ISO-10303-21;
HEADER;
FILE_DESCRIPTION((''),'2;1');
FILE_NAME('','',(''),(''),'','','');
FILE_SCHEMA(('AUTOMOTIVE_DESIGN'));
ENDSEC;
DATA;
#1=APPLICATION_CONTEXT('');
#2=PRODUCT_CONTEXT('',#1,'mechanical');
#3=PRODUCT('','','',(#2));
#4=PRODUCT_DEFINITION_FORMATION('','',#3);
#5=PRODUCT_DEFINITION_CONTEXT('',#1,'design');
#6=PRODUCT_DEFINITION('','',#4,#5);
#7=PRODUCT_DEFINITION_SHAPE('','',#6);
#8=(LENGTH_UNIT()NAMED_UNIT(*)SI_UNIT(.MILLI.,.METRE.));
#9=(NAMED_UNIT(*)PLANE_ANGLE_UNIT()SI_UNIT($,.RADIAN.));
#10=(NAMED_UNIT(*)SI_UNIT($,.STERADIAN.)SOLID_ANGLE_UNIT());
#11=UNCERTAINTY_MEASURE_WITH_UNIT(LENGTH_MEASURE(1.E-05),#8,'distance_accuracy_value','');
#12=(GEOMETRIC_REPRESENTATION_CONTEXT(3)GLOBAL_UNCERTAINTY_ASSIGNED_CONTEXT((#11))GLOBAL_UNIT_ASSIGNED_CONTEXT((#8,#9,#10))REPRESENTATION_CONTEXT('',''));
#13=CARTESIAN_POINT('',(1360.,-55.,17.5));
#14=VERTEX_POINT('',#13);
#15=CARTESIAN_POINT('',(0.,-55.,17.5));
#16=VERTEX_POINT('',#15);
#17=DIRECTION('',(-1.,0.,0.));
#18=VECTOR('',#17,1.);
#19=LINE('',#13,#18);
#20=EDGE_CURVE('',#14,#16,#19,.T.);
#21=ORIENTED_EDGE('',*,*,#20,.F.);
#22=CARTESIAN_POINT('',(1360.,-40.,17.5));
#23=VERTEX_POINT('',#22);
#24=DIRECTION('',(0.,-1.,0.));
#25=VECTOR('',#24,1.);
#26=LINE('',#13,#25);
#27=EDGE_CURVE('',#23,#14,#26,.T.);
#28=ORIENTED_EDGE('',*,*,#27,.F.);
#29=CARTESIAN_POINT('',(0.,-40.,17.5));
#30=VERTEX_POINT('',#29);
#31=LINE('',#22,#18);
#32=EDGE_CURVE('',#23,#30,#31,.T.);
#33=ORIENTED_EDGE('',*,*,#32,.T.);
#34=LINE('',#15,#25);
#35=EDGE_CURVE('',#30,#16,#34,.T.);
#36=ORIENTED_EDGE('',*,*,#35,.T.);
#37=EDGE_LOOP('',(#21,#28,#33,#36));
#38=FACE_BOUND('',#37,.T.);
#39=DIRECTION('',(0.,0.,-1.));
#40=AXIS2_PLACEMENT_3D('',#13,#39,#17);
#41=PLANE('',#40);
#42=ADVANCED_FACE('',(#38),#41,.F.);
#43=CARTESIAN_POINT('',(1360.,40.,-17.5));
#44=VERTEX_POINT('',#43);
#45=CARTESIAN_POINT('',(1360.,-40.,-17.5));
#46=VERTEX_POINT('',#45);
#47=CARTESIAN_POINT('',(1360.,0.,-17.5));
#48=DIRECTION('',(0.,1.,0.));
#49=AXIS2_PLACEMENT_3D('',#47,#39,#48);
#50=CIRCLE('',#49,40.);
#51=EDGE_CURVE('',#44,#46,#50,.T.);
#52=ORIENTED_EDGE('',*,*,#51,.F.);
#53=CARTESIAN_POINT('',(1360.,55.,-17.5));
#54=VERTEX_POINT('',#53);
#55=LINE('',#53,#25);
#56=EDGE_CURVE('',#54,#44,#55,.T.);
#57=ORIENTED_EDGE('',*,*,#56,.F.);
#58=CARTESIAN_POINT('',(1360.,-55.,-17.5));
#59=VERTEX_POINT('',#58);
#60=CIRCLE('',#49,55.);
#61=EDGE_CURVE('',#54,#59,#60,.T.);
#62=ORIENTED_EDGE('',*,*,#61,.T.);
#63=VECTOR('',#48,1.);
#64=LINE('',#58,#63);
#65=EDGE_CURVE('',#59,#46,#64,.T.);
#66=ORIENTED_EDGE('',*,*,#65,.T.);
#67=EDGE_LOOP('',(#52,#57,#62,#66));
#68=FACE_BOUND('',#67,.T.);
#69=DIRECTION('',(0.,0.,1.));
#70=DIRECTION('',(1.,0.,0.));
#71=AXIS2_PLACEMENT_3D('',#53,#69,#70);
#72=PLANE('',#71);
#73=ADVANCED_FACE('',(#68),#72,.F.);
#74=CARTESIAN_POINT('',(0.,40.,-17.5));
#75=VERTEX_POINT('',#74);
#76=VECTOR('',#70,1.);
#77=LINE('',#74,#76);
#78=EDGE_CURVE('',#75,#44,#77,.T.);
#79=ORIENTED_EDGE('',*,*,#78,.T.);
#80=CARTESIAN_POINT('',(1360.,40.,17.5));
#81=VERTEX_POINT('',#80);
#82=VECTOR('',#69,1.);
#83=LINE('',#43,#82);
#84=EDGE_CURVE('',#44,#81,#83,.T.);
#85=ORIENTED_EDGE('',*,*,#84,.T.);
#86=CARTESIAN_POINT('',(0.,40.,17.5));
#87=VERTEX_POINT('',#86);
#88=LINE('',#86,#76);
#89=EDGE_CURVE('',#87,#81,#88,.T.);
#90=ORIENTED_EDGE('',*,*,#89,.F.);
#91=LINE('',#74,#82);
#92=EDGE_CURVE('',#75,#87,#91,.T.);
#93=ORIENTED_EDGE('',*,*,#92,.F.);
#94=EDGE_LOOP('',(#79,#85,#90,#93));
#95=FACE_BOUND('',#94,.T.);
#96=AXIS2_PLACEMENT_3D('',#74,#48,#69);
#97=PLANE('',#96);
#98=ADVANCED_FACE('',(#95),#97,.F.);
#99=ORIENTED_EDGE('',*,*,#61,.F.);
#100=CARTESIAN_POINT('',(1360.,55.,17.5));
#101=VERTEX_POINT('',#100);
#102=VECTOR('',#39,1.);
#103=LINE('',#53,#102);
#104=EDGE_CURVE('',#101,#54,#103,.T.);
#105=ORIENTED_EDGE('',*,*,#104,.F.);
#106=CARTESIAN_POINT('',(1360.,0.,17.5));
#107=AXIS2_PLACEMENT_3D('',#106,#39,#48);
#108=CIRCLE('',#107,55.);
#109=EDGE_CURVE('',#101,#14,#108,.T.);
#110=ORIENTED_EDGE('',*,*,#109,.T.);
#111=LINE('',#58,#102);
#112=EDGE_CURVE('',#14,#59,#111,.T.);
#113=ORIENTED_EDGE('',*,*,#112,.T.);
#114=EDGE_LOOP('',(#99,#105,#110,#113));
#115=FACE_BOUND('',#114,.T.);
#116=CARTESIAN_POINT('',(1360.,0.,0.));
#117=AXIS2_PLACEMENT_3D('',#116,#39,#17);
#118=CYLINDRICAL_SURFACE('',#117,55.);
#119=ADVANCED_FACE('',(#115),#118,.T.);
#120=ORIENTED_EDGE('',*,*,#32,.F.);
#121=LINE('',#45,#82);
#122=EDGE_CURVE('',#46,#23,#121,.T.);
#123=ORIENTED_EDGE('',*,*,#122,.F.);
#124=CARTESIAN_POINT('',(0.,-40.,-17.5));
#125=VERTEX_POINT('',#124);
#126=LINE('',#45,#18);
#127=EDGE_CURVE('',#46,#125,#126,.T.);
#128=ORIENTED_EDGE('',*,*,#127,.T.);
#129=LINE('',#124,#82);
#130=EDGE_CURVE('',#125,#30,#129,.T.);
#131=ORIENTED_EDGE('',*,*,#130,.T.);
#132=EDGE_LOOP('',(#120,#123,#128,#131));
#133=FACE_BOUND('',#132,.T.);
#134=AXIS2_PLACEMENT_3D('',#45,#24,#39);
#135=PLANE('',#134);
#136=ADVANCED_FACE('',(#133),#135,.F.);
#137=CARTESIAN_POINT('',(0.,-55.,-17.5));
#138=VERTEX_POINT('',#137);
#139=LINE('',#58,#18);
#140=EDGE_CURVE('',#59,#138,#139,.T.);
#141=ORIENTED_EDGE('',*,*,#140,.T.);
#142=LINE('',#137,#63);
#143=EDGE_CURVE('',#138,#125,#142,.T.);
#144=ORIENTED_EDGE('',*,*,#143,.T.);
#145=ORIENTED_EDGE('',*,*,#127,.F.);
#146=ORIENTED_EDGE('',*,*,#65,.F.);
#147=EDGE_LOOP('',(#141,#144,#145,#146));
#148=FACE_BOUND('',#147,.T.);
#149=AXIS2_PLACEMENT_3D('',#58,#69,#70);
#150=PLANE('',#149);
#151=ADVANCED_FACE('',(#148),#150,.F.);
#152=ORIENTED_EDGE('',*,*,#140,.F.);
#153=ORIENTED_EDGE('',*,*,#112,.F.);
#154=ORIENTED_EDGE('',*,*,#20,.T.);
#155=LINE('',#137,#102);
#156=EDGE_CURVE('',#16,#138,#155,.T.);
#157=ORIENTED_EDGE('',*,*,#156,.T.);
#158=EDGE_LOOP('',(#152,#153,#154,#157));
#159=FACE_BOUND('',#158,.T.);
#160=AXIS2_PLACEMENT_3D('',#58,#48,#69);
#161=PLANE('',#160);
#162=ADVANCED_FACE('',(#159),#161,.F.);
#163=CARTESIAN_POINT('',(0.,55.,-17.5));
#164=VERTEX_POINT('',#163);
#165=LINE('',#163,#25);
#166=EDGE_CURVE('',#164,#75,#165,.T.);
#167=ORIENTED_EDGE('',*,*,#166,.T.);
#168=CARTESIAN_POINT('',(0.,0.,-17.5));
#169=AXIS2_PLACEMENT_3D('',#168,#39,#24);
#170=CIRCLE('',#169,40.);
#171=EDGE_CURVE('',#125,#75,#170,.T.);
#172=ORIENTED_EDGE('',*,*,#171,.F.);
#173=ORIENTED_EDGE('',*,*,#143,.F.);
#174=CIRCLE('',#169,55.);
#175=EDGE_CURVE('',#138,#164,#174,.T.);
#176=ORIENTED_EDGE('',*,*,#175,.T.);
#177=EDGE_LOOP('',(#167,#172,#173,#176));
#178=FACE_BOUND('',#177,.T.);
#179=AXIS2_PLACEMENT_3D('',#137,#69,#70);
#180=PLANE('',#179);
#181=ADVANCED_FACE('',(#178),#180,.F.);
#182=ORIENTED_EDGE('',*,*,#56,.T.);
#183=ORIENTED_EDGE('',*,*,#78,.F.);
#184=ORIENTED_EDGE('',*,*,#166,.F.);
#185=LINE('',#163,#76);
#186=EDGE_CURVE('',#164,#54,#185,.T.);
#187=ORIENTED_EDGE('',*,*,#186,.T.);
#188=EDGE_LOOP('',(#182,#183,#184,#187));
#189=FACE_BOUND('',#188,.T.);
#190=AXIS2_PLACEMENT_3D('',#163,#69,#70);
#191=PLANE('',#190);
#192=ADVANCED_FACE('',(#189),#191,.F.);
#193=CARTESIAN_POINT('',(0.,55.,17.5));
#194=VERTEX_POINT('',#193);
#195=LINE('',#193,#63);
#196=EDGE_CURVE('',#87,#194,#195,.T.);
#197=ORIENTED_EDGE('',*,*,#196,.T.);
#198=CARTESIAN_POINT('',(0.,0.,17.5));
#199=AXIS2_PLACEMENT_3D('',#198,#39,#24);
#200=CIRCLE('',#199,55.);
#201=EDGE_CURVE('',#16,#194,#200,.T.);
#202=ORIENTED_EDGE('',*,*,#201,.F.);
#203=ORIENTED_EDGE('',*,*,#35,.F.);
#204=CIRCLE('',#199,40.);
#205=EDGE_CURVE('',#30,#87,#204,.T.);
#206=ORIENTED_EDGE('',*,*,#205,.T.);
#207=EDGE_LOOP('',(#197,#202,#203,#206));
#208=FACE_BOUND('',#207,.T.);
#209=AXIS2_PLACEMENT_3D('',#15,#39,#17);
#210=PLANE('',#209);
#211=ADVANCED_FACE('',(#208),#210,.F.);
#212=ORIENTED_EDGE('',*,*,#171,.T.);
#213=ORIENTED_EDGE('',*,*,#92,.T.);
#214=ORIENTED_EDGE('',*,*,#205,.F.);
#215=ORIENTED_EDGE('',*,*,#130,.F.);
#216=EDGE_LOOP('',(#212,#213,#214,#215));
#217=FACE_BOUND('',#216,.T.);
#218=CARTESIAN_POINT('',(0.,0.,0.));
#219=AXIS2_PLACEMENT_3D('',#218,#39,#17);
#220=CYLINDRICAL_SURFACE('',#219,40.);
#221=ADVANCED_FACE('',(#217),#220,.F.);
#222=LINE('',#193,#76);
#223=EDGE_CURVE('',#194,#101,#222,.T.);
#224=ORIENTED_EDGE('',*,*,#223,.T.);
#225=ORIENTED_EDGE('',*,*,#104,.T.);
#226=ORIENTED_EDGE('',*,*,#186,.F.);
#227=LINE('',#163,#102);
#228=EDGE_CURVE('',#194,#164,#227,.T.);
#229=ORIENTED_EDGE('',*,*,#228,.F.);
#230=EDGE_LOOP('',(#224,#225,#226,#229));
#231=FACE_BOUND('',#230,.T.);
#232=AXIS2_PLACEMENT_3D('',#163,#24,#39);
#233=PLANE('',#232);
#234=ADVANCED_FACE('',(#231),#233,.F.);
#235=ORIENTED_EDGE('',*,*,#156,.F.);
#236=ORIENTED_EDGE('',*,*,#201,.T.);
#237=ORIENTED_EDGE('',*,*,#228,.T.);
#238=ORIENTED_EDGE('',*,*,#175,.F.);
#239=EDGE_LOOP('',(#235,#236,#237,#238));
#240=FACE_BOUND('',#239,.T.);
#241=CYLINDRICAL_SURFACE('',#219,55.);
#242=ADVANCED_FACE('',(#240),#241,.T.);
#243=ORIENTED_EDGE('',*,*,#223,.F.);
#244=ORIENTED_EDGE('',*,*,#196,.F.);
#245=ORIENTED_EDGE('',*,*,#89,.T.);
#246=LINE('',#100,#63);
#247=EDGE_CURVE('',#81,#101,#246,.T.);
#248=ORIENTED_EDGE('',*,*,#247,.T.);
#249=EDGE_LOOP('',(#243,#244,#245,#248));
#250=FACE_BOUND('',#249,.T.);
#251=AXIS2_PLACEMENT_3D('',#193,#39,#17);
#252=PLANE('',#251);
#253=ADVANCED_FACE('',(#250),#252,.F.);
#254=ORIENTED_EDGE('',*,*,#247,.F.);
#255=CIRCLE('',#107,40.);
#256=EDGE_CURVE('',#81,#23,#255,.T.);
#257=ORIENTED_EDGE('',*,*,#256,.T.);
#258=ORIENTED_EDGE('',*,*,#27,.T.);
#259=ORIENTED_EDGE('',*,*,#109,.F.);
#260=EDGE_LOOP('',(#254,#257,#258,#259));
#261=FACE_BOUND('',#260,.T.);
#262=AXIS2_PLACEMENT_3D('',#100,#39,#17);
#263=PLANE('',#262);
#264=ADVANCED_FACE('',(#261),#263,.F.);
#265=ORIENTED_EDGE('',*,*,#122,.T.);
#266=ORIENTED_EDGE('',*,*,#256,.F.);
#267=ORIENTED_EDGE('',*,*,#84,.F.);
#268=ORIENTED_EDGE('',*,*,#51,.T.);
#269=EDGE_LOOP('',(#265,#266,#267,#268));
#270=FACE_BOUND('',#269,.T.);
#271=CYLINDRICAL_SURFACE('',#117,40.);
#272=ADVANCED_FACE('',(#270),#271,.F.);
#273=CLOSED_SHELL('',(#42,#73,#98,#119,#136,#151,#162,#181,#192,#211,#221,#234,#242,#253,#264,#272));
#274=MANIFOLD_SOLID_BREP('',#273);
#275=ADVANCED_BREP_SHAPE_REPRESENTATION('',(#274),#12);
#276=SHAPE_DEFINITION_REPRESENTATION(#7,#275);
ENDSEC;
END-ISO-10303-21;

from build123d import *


with BuildPart() as part:
    # Austragung1: sweep along a path in Skizze2
    with BuildLine(Plane.XY) as austragung1_path:
        Line((0, 40), (1360, 40))
        ThreePointArc((1360, 40), (1400, 0), (1360, -40))
        Line((1360, -40), (0, -40))
        ThreePointArc((0, -40), (-40, 0), (0, 40))
    # 3D-Skizze1 → Austragung1 (sweep)
    with BuildSketch(Plane(origin=(1360, 55, -17.5), x_dir=(0, -0.39391929857916763, 0.9191450300180579), z_dir=(-1, 0, 0))):
        Polygon((0, 0), (32.170076051, 13.78717545), (38.078865529, 0), (5.908789479, -13.78717545), align=None)
    sweep(path=austragung1_path.line)


solid = part.part
